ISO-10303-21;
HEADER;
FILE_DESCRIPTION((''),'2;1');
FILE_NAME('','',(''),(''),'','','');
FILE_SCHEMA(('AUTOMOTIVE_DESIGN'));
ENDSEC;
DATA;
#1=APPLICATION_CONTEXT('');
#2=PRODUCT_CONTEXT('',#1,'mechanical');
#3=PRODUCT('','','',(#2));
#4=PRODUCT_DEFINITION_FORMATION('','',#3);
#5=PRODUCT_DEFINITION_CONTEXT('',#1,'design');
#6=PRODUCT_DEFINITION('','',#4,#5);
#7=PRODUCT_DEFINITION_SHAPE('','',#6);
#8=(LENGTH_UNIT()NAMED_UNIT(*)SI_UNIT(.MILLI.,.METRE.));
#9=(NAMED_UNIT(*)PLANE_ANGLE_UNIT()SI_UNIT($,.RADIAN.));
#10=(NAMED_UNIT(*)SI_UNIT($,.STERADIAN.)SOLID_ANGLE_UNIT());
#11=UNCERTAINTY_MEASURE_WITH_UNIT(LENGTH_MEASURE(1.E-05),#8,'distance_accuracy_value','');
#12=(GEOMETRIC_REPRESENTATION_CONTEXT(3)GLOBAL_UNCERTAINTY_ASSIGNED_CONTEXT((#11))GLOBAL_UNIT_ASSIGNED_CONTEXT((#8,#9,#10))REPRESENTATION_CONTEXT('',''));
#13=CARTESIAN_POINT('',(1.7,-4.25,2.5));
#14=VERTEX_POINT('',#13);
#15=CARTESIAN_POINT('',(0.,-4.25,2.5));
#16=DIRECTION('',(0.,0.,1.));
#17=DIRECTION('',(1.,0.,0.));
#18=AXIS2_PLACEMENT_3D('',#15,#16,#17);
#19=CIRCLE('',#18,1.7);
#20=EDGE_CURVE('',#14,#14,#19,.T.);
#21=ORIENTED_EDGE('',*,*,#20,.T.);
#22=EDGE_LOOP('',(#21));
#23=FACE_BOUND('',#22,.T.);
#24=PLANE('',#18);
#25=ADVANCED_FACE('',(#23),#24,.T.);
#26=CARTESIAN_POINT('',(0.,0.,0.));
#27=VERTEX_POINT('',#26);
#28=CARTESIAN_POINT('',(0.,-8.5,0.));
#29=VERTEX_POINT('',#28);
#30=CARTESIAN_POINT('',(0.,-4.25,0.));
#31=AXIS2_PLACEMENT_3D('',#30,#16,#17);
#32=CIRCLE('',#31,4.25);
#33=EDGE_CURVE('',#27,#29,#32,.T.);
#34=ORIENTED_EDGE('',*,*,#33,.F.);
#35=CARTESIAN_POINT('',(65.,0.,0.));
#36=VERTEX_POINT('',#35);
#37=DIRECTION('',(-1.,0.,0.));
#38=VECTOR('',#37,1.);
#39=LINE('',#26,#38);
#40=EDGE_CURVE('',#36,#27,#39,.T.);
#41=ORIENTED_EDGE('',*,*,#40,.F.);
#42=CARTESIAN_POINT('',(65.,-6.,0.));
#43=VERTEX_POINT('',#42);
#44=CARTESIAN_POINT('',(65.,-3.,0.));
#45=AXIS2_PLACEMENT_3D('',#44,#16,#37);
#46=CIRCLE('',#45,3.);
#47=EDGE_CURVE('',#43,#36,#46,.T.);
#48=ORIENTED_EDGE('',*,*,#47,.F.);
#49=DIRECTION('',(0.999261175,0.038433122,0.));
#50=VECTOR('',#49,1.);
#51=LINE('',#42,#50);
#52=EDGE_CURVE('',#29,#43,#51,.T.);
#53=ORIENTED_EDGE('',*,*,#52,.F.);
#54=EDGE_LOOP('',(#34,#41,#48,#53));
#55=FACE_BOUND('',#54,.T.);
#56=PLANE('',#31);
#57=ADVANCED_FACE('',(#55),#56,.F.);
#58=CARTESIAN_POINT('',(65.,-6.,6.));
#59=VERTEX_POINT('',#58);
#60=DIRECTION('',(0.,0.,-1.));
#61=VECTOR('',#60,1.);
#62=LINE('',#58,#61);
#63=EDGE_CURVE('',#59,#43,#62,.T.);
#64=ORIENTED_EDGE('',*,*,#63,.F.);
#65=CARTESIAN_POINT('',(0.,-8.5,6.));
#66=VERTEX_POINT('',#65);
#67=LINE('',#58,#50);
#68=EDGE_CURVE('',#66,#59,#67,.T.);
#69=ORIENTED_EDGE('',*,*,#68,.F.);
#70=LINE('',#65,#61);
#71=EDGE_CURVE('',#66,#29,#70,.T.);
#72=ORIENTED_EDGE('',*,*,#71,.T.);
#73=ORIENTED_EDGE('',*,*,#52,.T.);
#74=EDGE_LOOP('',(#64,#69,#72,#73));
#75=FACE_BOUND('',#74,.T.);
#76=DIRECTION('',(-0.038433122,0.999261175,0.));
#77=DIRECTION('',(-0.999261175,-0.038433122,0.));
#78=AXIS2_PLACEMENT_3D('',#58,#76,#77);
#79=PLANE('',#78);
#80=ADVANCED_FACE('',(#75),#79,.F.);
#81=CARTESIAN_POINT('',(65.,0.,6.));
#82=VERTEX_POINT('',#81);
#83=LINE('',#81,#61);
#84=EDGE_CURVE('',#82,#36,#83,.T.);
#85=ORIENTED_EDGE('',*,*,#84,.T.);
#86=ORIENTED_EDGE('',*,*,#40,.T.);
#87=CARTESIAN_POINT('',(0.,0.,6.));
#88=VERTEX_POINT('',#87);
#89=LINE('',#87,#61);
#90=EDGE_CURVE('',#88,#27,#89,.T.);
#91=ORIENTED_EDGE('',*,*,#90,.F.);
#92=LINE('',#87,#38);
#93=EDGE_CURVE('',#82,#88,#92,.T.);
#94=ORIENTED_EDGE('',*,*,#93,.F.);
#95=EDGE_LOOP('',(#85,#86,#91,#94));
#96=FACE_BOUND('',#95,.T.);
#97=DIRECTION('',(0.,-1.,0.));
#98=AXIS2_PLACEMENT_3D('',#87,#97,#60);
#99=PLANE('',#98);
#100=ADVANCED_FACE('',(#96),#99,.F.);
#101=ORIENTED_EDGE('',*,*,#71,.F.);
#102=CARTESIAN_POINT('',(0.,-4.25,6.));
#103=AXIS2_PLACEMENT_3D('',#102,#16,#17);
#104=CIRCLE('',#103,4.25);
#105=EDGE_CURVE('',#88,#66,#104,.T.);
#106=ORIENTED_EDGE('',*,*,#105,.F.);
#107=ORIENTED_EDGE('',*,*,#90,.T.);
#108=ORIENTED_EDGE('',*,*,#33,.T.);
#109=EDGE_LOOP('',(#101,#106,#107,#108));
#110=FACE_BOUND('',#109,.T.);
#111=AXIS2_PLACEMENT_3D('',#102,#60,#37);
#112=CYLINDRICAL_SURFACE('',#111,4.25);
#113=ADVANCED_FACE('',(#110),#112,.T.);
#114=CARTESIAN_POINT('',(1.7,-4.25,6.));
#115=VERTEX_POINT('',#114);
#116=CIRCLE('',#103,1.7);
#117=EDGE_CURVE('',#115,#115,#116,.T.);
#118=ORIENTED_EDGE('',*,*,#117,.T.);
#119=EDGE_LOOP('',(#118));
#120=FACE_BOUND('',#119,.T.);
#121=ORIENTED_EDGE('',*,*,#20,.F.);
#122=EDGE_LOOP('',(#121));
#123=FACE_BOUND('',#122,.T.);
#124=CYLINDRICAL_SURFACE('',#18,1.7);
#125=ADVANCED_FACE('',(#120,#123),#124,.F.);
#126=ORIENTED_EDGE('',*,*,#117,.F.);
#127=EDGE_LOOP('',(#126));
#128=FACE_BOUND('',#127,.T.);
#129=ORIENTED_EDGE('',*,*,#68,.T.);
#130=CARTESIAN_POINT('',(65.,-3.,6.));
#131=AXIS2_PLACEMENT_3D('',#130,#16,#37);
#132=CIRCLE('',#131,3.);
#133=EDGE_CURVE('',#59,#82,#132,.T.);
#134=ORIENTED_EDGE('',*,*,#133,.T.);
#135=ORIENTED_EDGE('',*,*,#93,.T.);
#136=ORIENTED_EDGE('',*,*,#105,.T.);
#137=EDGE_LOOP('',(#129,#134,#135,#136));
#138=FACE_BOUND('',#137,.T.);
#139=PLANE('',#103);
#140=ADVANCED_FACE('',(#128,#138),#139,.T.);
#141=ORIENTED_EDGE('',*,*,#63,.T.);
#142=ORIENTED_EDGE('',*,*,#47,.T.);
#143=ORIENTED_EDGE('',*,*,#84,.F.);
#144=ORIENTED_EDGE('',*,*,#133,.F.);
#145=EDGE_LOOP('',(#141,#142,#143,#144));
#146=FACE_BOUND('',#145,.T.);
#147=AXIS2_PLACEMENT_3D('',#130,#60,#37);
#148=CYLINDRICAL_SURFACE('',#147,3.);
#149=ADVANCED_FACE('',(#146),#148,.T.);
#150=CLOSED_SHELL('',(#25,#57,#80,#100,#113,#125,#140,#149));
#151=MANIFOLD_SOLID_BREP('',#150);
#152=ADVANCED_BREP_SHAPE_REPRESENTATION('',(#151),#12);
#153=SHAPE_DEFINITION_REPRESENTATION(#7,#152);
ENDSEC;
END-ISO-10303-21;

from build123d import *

# Parameters (mm, degrees)
EXTRUDE_1_DEPTH     = 6
SKETCH_3_R          = 1.7
CUT_EXTRUDE_1_DEPTH = 3.5


with BuildPart() as part:
    # 草图2 → 凸台-拉伸1 (new body)
    with BuildSketch(Plane.XY):
        with BuildLine():
            Line((0, 0), (65, 0))
            ThreePointArc((65, 0), (68, -3), (65, -6))
            Line((65, -6), (0, -8.5))
            ThreePointArc((0, -8.5), (-4.25, -4.25), (0, 0))
        make_face()
    extrude(amount=EXTRUDE_1_DEPTH)

    # 草图3 → 切除-拉伸1 (cut)
    with BuildSketch(Plane.XY.offset(6)):
        with Locations((0, -4.25)):
            Circle(SKETCH_3_R)
    extrude(amount=-CUT_EXTRUDE_1_DEPTH, mode=Mode.SUBTRACT)


solid = part.part
